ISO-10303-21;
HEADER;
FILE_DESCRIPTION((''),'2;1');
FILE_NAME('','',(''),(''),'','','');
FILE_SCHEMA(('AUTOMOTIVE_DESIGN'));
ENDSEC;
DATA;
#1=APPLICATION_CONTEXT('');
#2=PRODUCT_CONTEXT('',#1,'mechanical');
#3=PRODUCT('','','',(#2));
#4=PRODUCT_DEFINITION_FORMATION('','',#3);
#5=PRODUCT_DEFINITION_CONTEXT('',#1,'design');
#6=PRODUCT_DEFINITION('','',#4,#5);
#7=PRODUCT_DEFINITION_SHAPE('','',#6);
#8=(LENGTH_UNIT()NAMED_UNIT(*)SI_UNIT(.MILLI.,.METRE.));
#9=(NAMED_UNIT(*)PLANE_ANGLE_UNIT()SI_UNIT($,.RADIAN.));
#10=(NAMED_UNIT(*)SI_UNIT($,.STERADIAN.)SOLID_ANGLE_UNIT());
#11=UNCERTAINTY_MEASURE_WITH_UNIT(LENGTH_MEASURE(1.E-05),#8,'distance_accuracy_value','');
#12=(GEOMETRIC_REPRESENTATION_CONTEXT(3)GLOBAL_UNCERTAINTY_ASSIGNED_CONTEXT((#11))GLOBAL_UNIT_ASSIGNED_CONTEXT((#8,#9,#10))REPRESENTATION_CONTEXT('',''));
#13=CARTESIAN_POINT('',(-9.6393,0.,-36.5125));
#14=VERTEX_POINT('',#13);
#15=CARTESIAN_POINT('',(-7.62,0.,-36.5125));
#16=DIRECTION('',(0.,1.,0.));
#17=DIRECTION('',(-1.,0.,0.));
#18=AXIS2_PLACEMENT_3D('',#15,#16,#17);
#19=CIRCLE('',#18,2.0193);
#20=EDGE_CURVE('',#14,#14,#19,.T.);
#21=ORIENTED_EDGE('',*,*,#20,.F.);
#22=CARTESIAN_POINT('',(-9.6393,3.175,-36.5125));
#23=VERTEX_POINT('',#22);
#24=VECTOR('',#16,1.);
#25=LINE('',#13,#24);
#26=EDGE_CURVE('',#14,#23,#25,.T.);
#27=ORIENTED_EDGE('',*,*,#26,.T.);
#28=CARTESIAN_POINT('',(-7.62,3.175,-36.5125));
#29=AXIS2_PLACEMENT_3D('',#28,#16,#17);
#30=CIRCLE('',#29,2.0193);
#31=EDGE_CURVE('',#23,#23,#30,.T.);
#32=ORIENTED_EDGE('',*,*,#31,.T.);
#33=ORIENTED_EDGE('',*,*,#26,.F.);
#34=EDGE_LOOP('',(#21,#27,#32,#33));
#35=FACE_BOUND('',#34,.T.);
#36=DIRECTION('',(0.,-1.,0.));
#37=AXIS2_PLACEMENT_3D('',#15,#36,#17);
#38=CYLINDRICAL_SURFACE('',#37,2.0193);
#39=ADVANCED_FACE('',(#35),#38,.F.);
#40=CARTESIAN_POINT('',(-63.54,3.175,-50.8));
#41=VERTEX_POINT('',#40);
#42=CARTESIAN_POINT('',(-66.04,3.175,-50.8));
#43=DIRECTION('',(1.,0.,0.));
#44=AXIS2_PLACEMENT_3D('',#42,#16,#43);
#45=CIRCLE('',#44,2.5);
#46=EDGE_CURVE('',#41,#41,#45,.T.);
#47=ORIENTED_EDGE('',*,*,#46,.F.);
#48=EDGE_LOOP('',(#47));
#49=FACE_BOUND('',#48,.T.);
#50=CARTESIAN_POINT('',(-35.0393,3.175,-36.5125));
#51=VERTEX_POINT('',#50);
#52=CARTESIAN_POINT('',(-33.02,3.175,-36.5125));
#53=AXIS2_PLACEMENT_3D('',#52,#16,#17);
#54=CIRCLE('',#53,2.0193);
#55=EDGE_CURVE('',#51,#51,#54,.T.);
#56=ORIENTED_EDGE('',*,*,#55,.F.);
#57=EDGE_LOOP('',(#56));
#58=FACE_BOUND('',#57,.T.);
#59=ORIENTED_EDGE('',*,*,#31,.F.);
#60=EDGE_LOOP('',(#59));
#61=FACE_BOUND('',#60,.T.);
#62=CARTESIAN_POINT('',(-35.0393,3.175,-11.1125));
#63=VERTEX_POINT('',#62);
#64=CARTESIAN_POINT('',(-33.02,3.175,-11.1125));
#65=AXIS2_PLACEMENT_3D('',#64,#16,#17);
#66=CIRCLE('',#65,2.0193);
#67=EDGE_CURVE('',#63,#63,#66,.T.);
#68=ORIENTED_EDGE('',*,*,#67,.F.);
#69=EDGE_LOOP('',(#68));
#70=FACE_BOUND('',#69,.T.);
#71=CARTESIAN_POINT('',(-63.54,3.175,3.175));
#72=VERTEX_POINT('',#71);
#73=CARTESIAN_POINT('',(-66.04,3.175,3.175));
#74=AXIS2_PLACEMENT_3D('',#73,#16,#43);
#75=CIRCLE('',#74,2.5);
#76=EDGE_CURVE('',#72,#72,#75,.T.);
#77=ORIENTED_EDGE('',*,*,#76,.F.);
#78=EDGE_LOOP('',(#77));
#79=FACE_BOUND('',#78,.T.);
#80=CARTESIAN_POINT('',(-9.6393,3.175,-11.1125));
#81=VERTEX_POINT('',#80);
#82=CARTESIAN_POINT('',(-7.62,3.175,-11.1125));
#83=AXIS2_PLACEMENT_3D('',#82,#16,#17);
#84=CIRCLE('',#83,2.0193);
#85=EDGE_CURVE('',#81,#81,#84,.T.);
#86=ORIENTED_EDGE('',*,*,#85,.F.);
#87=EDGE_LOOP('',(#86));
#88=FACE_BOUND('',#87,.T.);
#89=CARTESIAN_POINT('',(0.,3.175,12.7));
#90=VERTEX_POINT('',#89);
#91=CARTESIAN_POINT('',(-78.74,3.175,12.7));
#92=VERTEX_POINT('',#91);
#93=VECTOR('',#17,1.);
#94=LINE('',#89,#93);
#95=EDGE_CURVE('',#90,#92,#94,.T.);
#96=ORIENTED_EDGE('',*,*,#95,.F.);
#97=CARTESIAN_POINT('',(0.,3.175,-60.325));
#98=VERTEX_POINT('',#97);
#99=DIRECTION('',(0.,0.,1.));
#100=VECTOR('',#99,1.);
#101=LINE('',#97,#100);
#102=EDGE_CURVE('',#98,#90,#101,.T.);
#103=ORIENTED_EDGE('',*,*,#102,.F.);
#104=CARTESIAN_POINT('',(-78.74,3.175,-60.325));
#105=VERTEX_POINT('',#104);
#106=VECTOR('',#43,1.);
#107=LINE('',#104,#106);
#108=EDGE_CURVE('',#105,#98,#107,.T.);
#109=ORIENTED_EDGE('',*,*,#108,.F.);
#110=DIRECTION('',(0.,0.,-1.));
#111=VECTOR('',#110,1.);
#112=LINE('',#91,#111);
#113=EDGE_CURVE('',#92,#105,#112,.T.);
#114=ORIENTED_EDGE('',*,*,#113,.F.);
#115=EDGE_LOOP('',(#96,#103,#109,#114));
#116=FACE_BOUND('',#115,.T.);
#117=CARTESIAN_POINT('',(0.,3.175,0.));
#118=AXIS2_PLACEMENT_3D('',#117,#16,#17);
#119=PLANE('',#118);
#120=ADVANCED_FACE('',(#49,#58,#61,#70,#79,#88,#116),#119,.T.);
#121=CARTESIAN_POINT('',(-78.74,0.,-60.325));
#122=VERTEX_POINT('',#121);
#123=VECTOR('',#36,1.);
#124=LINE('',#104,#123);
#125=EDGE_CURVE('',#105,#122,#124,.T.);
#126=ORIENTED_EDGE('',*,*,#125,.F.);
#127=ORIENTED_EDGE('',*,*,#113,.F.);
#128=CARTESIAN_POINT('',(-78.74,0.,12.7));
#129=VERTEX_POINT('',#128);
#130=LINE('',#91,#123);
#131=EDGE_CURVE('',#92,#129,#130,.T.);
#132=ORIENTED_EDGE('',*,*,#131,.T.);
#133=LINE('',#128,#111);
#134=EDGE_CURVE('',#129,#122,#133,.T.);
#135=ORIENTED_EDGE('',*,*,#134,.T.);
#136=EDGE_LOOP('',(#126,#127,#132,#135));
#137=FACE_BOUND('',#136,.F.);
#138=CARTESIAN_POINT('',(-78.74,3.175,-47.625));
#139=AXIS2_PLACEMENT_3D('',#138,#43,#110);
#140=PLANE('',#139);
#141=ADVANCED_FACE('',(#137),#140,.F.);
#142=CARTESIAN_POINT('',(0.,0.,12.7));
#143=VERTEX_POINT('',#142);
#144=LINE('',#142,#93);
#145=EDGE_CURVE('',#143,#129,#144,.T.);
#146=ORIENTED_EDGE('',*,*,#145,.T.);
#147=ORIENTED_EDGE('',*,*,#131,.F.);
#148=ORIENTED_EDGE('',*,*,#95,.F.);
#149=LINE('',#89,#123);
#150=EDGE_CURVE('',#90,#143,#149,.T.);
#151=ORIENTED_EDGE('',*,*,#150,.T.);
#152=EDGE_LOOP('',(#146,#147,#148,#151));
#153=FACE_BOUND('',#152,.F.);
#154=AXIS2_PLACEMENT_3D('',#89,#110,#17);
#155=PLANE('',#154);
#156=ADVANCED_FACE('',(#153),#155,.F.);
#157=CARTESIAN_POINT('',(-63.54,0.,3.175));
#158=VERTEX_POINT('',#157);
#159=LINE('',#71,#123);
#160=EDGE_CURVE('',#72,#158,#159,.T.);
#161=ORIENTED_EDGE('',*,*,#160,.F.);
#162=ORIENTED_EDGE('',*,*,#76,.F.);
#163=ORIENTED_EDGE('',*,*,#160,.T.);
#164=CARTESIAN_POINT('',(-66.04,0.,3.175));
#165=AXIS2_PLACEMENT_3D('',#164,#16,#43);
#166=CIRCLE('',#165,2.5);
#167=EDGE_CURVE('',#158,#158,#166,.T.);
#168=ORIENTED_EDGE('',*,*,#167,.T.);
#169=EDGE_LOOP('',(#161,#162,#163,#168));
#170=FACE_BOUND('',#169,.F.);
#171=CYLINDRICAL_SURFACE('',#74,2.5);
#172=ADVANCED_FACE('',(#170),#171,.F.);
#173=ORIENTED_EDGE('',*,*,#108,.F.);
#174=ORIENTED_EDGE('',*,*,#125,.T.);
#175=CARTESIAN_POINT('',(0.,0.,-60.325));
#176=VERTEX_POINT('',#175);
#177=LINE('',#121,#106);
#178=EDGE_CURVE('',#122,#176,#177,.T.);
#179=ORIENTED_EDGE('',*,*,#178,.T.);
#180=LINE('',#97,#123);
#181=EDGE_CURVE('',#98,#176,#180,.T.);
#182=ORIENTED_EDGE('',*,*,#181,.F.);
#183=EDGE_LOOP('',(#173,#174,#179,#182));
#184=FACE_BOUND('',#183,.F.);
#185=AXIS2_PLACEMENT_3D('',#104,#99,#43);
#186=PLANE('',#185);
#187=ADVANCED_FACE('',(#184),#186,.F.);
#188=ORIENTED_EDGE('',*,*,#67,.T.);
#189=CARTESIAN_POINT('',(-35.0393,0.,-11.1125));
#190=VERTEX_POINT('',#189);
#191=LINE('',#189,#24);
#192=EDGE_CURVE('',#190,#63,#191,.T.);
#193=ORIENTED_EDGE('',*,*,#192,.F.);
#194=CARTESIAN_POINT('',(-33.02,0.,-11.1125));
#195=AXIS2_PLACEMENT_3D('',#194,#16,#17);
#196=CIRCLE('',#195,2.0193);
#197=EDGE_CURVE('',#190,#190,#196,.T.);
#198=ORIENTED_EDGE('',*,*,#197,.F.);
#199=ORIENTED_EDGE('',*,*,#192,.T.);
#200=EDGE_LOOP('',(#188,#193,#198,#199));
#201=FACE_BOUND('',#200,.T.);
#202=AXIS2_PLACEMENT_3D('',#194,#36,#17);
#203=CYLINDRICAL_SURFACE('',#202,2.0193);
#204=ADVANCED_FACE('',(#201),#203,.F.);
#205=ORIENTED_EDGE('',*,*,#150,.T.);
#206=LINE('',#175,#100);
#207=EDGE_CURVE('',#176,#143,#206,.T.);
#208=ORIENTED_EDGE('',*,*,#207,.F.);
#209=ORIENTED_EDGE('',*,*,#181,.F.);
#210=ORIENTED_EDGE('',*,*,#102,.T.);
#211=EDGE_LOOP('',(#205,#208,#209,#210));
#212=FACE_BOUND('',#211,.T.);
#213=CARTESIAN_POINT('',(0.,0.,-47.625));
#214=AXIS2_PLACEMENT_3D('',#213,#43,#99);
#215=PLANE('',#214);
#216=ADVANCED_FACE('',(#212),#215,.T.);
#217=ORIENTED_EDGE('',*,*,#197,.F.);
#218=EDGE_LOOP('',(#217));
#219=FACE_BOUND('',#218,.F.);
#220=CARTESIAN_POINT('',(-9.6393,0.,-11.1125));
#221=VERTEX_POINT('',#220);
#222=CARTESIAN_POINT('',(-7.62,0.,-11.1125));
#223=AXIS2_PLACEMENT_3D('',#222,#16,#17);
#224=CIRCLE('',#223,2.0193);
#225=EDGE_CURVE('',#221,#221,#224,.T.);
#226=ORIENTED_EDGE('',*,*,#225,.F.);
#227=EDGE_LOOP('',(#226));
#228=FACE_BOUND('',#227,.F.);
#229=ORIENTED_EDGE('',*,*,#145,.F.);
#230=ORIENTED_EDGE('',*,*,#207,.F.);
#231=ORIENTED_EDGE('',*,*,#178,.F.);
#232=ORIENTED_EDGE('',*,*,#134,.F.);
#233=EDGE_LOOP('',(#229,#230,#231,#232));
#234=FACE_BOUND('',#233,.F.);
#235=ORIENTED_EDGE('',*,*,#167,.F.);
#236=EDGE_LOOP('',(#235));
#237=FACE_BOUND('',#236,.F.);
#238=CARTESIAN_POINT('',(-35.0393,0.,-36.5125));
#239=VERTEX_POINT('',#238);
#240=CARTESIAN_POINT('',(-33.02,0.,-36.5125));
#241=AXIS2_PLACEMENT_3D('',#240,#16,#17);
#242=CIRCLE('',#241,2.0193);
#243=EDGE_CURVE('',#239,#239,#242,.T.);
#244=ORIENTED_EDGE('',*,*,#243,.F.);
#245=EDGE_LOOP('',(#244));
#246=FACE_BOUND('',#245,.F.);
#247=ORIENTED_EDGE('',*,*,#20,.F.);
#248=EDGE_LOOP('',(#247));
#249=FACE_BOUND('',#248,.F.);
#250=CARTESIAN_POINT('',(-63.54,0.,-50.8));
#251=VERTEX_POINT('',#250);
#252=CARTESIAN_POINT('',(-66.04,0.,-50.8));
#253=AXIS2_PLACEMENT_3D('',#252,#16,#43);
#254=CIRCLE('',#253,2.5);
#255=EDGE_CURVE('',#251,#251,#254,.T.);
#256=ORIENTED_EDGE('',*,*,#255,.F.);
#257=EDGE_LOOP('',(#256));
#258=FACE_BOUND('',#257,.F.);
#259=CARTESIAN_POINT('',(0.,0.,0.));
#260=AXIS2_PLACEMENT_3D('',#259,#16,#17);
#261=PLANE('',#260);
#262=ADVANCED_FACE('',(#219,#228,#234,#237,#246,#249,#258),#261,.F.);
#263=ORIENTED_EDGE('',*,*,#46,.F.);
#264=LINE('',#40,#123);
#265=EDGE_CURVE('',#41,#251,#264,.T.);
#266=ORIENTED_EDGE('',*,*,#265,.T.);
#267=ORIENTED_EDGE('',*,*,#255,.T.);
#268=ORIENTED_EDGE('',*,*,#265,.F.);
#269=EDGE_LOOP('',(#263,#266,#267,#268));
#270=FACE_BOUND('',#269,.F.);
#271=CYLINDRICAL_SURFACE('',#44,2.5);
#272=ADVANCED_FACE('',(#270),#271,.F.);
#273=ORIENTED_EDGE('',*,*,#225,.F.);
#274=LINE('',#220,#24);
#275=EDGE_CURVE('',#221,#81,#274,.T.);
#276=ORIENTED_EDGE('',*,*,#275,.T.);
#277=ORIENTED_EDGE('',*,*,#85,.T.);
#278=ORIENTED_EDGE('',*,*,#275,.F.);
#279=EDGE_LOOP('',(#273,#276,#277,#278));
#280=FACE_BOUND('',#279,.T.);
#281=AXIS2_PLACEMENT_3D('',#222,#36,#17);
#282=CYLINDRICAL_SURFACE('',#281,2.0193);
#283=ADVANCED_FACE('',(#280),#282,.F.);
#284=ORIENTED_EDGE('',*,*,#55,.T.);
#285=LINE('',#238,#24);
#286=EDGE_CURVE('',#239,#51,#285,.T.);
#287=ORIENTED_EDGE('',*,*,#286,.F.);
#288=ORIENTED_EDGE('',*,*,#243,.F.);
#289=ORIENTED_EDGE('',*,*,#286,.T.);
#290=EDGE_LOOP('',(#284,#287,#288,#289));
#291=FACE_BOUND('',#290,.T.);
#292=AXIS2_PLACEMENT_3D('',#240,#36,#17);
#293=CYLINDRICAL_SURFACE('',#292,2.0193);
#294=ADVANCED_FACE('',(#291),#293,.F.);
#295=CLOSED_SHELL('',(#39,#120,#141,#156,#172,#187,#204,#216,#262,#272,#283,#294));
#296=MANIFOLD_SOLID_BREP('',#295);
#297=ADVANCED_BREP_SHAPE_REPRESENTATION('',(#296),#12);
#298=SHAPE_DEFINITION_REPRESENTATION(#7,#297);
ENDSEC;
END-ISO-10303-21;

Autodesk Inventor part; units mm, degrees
ref_plane "YZ Plane" through (0, 0, 0) normal (1, 0, 0) x (0, 1, 0)
ref_plane "XZ Plane" through (0, 0, 0) normal (0, 1, 0) x (-1, 0, 0)
ref_plane "XY Plane" through (0, 0, 0) normal (0, 0, 1) x (1, 0, 0)
sketch "Sketch1" plane through (0, 0, 0) normal (0, 1, 0) x (-1, 0, 0)
  line L0 (0, 0) -> (101.6, 0)
  line L1 (101.6, 0) -> (101.6, -47.625)
  line L2 (101.6, -47.625) -> (0, -47.625)
  line L3 (0, -47.625) -> (0, 0)
  circle A0 centre (88.9, -9.525) radius 2.5
  circle A1 centre (88.9, -38.1) radius 2.5
  circle A2 centre (7.62, -11.1125) radius 2.0193
  circle A3 centre (33.02, -11.1125) radius 2.0193
  circle A4 centre (33.02, -36.5125) radius 2.0193
  circle A5 centre (7.62, -36.5125) radius 2.0193
  line L4 (0, 0) -> (0, -40.7836)
  point P0 (37.1991, -51.2989)
  point P1 (24.9809, -31.7225)
  point P2 (38.4109, -31.7225)
  dimension "d0" = 101.6
  dimension "d1" = 47.625
  dimension "d2" = 5
  dimension "d3" = 5
  dimension "d4" = 12.7
  dimension "d5" = 12.7
  dimension "d6" = 9.525
  dimension "d7" = 9.525
  dimension "d8" = 25.4
  dimension "d9" = 25.4
  dimension "d10" = 25.4
  dimension "d11" = 25.4
  dimension "d12" = 4.0386
  dimension "d13" = 4.0386
  dimension "d14" = 4.0386
  dimension "d15" = 4.0386
  dimension "d16" = 11.1125
extrude "Extrusion1" add sketch "Sketch1" along normal blind 3.175
sketch "Sketch2" plane through (0, 3.175, 0) normal (0, 1, 0) x (1, 0, 0)
  line L0 (-101.6, 47.625) -> (-101.6, 0) projected
  line L1 (-101.6, 0) -> (0, 0) projected
  line L2 (0, 0) -> (0, 47.625) projected
  line L3 (0, 47.625) -> (-101.6, 47.625) projected
  circle A0 centre (-88.9, 9.525) radius 2.5 projected
  circle A1 centre (-88.9, 38.1) radius 2.5 projected
  circle A2 centre (-7.62, 11.1125) radius 2.0193 projected
  circle A3 centre (-33.02, 11.1125) radius 2.0193 projected
  circle A4 centre (-33.02, 36.5125) radius 2.0193 projected
  circle A5 centre (-7.62, 36.5125) radius 2.0193 projected
  line L4 (-78.74, 0) -> (-78.74, 47.625)
  line L5 (0, 47.625) -> (-101.6, 47.625) projected
  line L6 (0, -12.7) -> (-78.74, -12.7)
  line L7 (-78.74, -12.7) -> (-78.74, 60.325)
  line L8 (-78.74, 60.325) -> (0, 60.325)
  line L9 (0, 60.325) -> (0, -12.7)
  circle A6 centre (-66.04, -3.175) radius 2.5
  circle A7 centre (-66.04, 50.8) radius 2.5
  dimension "d19" = 78.74
  dimension "d20" = 9.525
  dimension "d21" = 12.7
  dimension "d22" = 12.7
  dimension "d23" = 9.525
  dimension "d24" = 12.7
  dimension "d25" = 12.7
extrude "Extrusion2" add sketch "Sketch2" against normal blind 3.175 contours L7 L8 L9 L3 | L3 L2 L1 L4 | L1 L9 L6 L7
extrude "Extrusion3" cut sketch "Sketch2" against normal through all contours L3 L4 L1 L0
equation "\"d5\" = d4"
equation "\"d6\" = 0.2 * d1"
equation "\"d7\" = d6"
equation "\"d20\" = d7"
equation "\"d21\" = d5"
equation "\"d23\" = d20"
equation "\"d25\" = d24"
properties part number "MotorMount" material "Aluminum 6061"
